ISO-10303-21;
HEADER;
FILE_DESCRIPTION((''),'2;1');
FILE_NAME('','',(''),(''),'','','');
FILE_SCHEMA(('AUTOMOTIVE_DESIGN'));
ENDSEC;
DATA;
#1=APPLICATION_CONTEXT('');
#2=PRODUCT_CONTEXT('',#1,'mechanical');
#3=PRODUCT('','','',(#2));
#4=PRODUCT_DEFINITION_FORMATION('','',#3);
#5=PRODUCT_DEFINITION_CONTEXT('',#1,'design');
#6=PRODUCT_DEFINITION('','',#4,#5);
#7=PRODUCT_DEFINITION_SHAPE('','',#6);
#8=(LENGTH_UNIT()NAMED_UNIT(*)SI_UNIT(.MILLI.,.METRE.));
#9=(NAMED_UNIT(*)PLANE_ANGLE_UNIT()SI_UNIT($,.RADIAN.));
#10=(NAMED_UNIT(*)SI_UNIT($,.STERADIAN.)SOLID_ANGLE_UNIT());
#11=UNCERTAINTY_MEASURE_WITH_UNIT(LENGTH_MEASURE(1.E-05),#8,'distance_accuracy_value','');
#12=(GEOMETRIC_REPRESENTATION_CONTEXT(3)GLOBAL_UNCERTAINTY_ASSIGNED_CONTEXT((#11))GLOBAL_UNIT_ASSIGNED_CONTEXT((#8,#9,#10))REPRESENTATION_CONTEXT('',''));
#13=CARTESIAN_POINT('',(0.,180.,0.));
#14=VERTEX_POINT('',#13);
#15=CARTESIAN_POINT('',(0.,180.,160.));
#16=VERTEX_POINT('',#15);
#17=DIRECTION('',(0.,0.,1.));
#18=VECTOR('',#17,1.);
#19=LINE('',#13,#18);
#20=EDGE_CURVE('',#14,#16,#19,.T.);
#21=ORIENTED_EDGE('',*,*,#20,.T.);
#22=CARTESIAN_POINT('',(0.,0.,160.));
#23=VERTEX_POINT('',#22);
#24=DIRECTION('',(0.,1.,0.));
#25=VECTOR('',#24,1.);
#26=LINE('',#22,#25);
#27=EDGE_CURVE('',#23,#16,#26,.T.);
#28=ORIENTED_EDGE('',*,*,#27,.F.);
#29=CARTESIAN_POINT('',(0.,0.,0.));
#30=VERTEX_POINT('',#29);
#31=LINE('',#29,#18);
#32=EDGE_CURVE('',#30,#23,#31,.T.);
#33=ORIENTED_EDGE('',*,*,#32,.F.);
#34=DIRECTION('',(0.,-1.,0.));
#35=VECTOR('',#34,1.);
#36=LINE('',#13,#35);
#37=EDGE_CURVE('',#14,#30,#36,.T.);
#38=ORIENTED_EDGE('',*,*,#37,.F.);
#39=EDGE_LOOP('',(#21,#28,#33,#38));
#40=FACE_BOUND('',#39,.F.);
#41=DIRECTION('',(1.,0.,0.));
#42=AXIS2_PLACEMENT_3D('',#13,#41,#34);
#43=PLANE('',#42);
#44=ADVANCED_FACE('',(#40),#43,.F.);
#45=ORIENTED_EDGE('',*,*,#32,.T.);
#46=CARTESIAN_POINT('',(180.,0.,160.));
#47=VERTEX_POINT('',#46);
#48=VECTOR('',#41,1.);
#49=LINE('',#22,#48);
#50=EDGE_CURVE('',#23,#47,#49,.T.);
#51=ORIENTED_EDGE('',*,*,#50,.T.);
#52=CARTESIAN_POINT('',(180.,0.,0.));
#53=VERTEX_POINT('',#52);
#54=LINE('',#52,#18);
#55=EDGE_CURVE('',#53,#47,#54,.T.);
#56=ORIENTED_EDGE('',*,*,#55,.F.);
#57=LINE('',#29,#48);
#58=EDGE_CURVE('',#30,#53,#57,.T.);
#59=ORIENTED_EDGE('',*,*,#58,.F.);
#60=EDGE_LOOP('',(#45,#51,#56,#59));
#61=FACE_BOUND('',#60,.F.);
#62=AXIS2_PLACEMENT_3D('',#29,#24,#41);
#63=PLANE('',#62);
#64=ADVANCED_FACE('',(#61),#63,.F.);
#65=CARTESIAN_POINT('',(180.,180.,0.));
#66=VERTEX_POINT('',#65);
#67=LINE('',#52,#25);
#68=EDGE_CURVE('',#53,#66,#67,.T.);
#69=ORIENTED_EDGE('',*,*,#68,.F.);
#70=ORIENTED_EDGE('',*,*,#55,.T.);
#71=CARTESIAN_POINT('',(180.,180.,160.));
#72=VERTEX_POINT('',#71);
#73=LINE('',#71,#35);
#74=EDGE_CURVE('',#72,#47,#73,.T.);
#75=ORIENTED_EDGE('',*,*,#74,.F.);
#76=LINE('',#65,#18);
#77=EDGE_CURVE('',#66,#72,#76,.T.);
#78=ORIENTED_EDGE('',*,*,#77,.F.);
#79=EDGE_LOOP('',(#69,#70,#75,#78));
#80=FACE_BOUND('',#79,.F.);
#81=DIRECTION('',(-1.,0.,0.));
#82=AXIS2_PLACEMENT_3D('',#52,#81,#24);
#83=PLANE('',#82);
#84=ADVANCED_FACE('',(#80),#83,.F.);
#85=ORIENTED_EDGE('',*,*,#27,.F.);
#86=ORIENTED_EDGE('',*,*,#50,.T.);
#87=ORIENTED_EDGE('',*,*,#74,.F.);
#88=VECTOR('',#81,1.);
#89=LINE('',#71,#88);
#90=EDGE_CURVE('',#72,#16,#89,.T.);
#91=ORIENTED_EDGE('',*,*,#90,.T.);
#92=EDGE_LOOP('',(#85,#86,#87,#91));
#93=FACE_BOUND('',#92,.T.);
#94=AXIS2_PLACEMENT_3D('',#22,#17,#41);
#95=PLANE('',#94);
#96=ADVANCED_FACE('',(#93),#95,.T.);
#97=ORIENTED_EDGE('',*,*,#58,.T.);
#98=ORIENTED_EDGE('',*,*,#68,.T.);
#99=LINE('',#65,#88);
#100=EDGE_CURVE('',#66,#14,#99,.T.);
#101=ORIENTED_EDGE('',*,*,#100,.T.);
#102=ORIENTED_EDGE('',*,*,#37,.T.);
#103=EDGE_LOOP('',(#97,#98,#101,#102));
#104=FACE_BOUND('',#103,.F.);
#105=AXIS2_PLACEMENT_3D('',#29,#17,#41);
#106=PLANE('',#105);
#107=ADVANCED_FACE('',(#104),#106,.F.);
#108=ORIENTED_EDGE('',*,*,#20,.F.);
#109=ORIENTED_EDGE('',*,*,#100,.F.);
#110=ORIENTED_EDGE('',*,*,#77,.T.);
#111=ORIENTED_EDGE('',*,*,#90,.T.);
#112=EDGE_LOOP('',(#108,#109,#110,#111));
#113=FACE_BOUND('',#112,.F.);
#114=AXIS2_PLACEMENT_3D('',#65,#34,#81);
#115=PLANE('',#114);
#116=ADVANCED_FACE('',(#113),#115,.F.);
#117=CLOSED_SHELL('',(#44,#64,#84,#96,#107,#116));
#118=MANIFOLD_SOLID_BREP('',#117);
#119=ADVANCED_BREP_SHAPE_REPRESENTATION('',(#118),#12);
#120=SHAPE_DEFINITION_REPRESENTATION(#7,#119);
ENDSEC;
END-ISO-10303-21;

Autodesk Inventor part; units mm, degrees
ref_plane "YZ Plane" through (0, 0, 0) normal (1, 0, 0) x (0, 1, 0)
ref_plane "XZ Plane" through (0, 0, 0) normal (0, 1, 0) x (-1, 0, 0)
ref_plane "XY Plane" through (0, 0, 0) normal (0, 0, 1) x (1, 0, 0)
sketch "Sketch1" plane through (0, 0, 0) normal (0, 0, 1) x (1, 0, 0)
  line L0 (0, 0) -> (180, 0)
  line L1 (180, 0) -> (180, 180)
  line L2 (180, 180) -> (0, 180)
  line L3 (0, 180) -> (0, 0)
  dimension "d0" = 180
  dimension "d1" = 180
extrude "Extrusion1" add sketch "Sketch1" along normal blind 180
sketch "Sketch2" plane through (0, 0, 180) normal (0, 0, 1) x (1, 0, 0)
  line L0 (180, 180) -> (0, 180) projected
  line L1 (0, 0) -> (180, 0) projected
  line L2 (0, 180) -> (180, 180)
  line L3 (180, 180) -> (180, 0)
  line L4 (180, 0) -> (0, 0)
  line L5 (0, 0) -> (0, 180)
extrude "Extrusion2" cut sketch "Sketch2" against normal blind 20
properties part number "Gearbox"
